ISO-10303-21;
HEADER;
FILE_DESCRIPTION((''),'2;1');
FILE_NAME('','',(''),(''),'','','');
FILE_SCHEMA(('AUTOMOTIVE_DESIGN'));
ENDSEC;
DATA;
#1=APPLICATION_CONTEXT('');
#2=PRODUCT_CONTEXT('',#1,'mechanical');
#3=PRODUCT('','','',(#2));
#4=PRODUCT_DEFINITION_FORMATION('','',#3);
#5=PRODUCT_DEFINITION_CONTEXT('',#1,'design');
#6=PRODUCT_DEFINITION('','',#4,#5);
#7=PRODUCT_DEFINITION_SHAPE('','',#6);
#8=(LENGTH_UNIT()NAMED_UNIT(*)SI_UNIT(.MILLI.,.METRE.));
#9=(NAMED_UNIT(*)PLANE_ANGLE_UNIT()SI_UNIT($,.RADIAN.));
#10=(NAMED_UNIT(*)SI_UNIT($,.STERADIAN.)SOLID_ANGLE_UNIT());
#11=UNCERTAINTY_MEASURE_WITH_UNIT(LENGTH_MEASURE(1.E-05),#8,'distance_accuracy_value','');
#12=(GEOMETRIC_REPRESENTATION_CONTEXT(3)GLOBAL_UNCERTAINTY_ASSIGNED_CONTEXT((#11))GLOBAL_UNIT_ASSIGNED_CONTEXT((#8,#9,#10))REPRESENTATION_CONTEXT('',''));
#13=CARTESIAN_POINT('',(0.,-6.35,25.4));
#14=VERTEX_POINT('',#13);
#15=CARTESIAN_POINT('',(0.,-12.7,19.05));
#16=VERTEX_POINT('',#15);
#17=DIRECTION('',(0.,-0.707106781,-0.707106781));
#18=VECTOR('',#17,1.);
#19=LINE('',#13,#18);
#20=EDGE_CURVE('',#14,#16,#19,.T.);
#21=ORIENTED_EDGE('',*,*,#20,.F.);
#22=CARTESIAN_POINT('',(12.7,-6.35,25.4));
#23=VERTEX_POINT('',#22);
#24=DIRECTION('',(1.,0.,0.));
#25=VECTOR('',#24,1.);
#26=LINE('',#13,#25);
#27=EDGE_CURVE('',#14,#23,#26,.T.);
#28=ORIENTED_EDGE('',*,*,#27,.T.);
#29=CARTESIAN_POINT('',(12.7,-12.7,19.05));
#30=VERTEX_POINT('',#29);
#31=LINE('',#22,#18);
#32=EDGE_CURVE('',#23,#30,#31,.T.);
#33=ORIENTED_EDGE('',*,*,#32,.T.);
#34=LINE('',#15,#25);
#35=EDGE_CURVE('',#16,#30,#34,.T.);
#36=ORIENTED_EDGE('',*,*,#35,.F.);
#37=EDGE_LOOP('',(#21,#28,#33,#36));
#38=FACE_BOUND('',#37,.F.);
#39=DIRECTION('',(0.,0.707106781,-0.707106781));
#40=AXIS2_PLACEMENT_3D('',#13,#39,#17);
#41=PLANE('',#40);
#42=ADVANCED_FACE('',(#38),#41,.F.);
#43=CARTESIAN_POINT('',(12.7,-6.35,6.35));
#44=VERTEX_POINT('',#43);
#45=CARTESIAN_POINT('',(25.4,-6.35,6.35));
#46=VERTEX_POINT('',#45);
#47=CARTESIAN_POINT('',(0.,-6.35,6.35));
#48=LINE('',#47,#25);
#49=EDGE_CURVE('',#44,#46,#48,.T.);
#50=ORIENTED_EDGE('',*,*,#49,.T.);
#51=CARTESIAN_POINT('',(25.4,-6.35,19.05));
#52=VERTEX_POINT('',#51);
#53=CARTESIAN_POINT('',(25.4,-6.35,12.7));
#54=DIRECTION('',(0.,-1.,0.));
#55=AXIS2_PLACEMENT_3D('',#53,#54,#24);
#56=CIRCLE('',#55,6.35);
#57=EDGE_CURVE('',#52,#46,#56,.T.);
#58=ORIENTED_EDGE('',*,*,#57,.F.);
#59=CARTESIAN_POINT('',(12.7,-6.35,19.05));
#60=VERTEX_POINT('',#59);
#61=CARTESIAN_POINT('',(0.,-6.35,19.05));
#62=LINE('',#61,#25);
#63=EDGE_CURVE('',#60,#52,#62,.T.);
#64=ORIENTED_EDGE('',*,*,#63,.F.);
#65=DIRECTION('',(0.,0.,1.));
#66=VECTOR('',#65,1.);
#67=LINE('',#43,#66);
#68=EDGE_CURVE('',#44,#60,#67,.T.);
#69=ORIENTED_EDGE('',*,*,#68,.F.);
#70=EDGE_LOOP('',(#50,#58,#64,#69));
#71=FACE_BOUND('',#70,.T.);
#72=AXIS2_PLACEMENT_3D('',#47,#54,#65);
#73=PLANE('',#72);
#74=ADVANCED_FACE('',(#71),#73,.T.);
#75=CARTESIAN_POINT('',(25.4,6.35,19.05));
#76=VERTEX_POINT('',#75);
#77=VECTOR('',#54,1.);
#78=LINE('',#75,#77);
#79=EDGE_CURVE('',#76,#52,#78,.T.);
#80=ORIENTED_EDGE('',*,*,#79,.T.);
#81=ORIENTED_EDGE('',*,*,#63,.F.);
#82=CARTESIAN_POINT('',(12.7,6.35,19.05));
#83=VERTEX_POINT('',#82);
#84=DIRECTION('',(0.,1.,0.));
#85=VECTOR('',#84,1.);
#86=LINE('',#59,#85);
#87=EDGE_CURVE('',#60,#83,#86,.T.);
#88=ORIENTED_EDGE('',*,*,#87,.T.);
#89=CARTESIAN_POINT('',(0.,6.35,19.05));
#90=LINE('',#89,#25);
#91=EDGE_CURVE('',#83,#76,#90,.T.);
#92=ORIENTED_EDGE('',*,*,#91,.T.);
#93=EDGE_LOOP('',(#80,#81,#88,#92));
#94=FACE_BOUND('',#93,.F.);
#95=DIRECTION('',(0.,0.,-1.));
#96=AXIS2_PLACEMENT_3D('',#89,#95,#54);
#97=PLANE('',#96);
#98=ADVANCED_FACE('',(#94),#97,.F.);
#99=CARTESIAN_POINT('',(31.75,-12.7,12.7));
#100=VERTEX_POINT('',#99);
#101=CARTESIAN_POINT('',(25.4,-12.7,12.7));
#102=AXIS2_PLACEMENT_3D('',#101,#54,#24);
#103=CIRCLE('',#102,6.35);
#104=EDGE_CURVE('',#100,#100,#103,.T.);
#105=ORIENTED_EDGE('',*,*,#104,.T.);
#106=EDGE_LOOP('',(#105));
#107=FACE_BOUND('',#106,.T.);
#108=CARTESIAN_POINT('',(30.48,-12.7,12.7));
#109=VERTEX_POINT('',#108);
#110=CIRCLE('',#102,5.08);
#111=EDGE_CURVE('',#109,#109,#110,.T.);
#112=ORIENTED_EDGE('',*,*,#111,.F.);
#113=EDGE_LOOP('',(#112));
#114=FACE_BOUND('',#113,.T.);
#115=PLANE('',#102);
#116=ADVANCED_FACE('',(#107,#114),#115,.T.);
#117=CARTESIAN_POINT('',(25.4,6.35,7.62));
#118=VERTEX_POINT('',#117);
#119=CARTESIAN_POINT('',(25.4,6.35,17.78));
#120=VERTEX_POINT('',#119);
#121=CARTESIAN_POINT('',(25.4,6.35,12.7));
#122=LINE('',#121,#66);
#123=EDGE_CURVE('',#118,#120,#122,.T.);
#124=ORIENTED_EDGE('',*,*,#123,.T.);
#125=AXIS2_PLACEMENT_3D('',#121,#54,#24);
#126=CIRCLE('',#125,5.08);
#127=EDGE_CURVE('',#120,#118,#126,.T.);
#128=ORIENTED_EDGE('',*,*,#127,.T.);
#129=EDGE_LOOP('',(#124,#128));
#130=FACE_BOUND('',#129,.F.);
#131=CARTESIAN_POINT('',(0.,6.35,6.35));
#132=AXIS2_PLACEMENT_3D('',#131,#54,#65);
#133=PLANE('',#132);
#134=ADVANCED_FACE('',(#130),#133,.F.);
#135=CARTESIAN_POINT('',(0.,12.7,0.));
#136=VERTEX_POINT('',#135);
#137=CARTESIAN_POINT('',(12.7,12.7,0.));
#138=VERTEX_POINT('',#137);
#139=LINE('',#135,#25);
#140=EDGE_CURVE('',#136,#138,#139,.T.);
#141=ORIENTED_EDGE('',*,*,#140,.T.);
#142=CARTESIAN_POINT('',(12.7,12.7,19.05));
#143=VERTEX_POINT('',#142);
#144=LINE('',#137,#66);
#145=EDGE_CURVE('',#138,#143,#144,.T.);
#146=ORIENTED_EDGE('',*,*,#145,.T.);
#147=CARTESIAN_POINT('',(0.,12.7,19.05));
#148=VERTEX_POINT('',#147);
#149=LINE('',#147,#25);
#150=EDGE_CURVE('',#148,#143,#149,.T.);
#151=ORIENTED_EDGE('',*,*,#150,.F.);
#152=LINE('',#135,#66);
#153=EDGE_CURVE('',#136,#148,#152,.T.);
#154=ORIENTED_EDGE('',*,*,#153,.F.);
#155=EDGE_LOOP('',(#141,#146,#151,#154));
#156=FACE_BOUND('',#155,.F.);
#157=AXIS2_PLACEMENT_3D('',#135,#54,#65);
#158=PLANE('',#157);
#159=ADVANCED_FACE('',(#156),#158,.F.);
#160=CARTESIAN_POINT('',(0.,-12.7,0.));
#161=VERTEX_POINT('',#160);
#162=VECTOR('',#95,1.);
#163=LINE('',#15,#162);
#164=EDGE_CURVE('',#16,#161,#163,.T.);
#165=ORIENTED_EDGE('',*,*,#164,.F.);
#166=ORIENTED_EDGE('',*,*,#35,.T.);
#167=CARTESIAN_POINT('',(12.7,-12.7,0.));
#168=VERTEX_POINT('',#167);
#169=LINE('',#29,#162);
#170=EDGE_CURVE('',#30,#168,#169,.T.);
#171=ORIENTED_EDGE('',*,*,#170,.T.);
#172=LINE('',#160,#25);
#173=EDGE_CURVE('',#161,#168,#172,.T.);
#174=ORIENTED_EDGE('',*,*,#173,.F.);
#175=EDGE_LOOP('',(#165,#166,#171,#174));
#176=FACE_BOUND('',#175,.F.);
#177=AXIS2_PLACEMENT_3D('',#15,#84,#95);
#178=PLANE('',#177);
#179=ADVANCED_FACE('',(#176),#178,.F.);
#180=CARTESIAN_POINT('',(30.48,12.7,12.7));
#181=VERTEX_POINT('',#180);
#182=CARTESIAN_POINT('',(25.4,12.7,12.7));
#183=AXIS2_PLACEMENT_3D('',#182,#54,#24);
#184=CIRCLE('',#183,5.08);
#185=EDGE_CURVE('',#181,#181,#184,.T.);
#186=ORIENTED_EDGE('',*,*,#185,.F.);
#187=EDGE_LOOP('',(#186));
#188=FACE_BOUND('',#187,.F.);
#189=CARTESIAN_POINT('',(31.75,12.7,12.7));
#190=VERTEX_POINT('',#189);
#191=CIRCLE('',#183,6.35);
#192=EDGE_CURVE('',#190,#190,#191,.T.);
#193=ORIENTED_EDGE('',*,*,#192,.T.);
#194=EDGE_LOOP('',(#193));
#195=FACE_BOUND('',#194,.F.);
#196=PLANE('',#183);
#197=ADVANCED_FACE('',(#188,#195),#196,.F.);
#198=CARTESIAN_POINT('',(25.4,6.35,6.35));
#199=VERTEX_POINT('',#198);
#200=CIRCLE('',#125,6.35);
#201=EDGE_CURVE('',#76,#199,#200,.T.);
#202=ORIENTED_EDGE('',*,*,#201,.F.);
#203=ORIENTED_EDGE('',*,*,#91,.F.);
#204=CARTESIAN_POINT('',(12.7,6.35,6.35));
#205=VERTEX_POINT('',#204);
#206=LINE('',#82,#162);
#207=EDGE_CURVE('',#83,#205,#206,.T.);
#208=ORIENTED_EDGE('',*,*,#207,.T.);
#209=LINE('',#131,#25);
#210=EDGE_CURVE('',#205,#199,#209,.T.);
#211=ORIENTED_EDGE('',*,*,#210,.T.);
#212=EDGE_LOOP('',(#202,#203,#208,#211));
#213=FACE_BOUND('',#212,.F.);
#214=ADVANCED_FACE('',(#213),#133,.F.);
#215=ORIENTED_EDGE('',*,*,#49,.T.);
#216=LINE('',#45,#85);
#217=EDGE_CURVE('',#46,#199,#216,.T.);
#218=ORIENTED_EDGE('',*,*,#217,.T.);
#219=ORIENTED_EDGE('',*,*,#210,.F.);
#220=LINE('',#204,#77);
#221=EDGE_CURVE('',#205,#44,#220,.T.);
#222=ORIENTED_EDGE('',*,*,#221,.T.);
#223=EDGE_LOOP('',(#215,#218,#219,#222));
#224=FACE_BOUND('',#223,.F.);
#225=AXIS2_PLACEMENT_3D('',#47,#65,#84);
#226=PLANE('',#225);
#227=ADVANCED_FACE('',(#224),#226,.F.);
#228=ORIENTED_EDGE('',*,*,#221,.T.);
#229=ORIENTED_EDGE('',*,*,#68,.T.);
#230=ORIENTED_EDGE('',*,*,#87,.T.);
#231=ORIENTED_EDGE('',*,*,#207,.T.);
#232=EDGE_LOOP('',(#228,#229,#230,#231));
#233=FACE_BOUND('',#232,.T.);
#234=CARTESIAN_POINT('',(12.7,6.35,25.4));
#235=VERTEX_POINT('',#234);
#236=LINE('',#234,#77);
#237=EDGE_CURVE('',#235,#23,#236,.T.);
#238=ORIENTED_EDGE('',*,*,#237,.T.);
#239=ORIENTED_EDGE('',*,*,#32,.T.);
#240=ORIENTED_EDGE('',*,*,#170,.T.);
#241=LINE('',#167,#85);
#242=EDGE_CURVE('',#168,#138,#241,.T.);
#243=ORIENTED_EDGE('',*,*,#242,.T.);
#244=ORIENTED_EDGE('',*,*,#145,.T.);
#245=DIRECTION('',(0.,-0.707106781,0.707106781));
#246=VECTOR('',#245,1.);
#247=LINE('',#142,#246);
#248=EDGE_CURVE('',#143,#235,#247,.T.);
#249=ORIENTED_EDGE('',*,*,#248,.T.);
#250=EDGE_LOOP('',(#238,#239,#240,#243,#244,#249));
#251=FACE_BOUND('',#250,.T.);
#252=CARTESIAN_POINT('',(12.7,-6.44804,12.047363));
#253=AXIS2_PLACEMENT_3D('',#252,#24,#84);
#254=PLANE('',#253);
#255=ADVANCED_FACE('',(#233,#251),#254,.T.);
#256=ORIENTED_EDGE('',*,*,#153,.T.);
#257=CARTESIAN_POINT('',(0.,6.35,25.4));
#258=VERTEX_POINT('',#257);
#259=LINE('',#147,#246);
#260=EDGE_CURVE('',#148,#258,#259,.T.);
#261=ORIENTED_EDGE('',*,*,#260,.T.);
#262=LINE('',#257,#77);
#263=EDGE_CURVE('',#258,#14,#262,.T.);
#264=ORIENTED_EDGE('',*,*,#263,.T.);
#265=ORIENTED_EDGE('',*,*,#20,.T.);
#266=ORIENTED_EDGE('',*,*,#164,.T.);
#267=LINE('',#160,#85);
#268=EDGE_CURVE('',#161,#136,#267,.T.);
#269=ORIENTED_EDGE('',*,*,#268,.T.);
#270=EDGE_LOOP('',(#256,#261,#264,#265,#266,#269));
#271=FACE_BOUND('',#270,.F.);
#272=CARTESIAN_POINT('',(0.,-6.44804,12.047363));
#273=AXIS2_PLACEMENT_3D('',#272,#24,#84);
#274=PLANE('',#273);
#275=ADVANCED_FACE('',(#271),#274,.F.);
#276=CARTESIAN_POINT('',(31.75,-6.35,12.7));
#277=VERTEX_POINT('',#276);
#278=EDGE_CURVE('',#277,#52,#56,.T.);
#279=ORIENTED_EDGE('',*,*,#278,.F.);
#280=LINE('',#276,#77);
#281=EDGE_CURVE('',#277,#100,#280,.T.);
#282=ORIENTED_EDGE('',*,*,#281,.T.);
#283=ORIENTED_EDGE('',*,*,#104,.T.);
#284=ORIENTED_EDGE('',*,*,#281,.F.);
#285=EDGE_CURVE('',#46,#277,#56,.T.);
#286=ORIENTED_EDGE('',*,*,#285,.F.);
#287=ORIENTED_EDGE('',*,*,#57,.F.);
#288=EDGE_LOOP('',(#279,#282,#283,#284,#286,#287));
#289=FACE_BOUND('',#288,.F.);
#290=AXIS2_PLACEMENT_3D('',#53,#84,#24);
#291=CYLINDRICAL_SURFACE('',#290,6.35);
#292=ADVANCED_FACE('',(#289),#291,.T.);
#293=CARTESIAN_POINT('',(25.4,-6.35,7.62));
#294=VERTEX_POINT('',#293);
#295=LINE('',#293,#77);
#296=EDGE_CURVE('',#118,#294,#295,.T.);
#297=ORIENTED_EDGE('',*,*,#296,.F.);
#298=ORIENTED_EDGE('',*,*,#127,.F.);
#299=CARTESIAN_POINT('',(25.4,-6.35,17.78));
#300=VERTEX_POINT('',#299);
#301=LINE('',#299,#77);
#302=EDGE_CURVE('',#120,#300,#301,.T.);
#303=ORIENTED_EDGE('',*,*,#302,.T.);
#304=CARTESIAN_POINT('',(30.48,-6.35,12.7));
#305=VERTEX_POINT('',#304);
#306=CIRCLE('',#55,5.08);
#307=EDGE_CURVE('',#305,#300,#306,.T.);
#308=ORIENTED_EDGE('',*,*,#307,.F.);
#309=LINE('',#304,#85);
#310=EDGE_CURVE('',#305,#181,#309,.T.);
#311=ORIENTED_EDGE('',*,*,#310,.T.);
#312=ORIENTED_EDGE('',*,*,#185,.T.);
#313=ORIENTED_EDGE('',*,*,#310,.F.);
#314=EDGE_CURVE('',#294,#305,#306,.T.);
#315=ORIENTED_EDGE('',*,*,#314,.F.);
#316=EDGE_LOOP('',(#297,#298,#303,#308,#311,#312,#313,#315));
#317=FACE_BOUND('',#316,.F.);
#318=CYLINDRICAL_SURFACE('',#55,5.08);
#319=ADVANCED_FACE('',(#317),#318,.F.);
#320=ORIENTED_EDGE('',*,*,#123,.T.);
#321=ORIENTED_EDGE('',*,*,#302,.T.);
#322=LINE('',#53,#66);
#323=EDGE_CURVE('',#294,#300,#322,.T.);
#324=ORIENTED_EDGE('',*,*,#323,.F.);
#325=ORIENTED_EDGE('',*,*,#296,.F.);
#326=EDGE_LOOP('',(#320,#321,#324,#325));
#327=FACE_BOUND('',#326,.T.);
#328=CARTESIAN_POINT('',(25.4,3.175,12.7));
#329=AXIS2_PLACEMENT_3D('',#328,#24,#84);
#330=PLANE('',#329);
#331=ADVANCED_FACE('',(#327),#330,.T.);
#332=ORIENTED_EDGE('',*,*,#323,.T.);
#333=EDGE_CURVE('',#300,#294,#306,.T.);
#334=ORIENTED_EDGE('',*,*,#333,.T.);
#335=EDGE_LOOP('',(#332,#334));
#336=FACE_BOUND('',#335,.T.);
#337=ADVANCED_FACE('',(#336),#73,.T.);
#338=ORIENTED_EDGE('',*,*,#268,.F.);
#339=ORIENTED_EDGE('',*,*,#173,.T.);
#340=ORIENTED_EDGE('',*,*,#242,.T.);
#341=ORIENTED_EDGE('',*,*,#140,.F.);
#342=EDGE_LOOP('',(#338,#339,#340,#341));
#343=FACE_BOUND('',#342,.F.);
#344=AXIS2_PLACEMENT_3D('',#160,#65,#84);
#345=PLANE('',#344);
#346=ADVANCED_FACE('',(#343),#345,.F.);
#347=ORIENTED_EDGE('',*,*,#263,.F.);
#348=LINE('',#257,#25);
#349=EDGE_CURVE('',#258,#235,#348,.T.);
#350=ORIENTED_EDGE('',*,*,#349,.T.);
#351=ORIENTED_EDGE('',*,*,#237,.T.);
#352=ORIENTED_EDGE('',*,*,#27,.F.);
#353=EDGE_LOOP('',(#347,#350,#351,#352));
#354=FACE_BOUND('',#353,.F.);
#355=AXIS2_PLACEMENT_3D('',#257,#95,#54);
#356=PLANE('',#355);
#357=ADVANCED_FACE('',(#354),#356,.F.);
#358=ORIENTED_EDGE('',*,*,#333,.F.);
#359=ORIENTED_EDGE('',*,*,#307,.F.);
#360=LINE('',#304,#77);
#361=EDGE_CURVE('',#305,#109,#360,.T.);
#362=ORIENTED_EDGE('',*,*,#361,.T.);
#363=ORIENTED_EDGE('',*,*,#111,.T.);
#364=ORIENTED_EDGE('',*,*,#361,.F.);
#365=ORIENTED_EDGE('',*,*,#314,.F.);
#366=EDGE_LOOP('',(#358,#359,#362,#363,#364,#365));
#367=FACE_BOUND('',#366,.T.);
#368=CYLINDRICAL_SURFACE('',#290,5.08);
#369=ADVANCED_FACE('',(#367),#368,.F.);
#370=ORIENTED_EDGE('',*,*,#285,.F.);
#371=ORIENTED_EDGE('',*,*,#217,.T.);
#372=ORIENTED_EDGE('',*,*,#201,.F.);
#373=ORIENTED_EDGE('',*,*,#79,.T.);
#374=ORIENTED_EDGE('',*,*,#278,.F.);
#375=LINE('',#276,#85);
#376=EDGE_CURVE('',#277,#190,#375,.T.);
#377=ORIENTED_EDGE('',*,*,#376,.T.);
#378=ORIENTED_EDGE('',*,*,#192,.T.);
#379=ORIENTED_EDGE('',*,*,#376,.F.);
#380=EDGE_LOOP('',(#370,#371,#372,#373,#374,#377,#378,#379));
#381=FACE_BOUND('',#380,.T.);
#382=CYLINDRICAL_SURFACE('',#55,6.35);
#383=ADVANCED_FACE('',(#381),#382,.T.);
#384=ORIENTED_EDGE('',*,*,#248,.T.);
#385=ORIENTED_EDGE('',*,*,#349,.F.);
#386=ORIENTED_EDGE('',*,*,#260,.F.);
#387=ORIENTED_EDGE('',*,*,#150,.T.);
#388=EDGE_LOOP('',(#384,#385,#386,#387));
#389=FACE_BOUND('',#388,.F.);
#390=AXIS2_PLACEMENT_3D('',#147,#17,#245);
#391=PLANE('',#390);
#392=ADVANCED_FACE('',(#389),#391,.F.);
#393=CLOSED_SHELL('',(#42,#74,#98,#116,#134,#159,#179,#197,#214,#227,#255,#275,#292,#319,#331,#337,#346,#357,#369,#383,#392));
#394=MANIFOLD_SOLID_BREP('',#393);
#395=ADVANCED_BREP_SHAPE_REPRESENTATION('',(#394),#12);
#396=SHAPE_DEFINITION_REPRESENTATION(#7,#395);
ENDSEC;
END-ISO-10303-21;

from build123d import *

# Parameters (mm, degrees)
F1_DEPTH      = 12.7
F0_W          = 6.35
F0_H          = 12.7
F2_DEPTH      = 25.4
F3_R          = 6.35
F3_R_2        = 5.08
F4_DEPTH      = 6.35
F4_DEPTH_BACK = 19.05


with BuildPart() as f1:
    # F0 (on Right) → F1 (new body)
    with BuildSketch(Plane.YZ):
        Polygon((-6.35, 19.05), (0, 19.05), (0, 25.4), (-6.35, 25.4), (-12.7, 19.05), (-12.7, 0), (0, 0), (0, 6.35), (-6.35, 6.35), align=None)
        Polygon((0, 25.4), (0, 19.05), (6.35, 19.05), (6.35, 6.35), (0, 6.35), (0, 0), (12.7, 0), (12.7, 19.05), (6.35, 25.4), align=None)
    extrude(amount=F1_DEPTH)

    # F0 (on Right) → F2 (join)
    with BuildSketch(Plane.YZ):
        with Locations((3.175, 12.7)):
            Rectangle(F0_W, F0_H)
        with Locations((-3.175, 12.7)):
            Rectangle(F0_W, F0_H)
    extrude(amount=F2_DEPTH)

    # F3 (on face) → F4 (join, two sides)
    with BuildSketch(Plane.XZ.offset(6.35)) as f4_sk:
        with Locations((25.4, 12.7)):
            Circle(F3_R)
        with Locations((25.4, 12.7)):
            Circle(F3_R_2, mode=Mode.SUBTRACT)
    extrude(amount=F4_DEPTH)
    extrude(f4_sk.sketch, amount=-F4_DEPTH_BACK)


solid = f1.part
